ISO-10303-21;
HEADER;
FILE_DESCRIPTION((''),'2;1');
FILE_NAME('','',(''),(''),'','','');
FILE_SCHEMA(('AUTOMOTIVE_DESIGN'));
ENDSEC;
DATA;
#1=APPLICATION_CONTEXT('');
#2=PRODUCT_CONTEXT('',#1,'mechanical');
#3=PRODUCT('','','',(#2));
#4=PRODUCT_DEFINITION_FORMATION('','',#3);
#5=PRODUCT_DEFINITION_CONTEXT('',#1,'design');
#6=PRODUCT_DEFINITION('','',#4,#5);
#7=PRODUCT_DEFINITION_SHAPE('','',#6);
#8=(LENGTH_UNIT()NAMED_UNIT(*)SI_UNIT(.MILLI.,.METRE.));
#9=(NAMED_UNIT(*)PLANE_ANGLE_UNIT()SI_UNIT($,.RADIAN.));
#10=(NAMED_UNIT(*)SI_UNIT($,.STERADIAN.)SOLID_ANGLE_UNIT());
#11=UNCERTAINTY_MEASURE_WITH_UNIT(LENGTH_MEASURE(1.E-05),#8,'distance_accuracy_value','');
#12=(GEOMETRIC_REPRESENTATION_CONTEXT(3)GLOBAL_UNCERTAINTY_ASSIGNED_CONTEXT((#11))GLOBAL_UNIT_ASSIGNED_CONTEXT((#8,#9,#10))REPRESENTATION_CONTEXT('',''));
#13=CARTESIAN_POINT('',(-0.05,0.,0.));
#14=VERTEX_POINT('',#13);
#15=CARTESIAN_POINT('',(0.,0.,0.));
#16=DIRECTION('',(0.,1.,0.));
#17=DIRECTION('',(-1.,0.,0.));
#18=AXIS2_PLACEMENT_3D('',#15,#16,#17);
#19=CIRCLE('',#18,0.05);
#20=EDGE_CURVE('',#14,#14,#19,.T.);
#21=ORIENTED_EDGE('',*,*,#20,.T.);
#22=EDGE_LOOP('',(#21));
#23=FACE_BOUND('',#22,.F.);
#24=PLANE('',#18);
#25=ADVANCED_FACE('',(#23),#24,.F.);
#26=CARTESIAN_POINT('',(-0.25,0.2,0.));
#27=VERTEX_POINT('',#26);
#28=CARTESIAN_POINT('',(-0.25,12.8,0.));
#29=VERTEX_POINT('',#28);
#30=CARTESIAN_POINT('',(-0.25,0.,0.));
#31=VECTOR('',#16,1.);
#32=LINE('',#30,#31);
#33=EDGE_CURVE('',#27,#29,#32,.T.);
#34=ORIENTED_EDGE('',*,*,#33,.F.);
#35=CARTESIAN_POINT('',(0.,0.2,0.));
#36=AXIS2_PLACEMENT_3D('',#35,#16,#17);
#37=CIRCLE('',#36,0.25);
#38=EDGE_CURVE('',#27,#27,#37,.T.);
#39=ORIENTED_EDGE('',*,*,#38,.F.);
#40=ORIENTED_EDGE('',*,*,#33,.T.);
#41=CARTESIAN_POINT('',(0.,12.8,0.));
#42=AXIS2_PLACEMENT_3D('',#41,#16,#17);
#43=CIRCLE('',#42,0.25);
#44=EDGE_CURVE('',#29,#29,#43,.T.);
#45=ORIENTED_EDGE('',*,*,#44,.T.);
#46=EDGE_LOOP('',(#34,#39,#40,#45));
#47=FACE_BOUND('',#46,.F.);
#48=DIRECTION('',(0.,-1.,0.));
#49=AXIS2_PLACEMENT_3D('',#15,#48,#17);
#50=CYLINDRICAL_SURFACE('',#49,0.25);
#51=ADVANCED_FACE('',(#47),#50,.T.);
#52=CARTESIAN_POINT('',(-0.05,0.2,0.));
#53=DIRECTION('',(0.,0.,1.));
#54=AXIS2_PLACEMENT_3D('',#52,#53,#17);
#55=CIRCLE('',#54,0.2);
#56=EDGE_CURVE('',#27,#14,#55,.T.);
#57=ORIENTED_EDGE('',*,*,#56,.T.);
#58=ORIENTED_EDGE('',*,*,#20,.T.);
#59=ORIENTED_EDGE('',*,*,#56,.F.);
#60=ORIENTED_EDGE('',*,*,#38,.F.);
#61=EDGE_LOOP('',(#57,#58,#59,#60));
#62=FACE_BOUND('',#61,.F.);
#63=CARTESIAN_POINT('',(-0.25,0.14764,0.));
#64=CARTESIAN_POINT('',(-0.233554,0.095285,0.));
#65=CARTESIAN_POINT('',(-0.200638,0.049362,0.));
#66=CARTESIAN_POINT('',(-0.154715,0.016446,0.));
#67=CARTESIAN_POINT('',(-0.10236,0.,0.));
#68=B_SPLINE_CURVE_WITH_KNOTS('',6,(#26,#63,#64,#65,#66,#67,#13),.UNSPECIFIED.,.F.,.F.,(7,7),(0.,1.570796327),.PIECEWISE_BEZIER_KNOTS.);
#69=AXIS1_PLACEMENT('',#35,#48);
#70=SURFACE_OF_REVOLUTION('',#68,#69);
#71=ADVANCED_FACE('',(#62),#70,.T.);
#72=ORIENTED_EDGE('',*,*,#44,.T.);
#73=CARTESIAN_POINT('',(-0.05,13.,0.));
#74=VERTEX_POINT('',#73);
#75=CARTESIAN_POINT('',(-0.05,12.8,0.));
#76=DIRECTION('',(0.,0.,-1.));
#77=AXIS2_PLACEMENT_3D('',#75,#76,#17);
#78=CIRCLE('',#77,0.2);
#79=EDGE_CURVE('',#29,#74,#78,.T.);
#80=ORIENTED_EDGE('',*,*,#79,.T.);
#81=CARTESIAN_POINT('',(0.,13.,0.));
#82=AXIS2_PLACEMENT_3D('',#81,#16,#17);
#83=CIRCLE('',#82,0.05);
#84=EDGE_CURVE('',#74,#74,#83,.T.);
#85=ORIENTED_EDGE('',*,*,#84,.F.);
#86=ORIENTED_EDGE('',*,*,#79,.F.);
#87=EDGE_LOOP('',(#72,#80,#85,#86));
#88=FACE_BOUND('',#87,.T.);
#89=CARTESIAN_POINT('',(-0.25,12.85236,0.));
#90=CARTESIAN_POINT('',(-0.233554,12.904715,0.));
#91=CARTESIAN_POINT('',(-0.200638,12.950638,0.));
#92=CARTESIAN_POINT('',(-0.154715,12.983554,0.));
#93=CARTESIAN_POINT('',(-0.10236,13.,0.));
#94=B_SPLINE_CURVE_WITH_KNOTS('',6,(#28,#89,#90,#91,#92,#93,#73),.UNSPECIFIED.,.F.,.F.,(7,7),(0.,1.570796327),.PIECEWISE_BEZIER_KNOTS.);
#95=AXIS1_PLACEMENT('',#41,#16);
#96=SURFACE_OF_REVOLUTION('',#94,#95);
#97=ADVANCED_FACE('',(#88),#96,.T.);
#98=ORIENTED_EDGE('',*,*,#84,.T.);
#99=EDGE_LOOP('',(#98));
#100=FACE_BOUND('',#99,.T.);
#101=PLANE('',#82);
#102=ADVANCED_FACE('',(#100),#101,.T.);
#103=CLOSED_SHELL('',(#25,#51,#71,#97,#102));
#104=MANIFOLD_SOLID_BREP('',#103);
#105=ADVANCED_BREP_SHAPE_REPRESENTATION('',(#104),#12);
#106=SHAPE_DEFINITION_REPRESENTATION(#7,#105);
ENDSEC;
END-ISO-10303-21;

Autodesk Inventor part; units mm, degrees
ref_plane "YZ Plane" through (0, 0, 0) normal (1, 0, 0) x (0, 1, 0)
ref_plane "XZ Plane" through (0, 0, 0) normal (0, 1, 0) x (-1, 0, 0)
ref_plane "XY Plane" through (0, 0, 0) normal (0, 0, 1) x (1, 0, 0)
sketch "Sketch1" plane through (0, 0, 0) normal (0, 1, 0) x (-1, 0, 0)
  circle A0 centre (0, 0) radius 0.25
  dimension "d0" = 0.5
extrude "Extrusion1" add sketch "Sketch1" along normal blind 13
fillet "Fillet1" radius 0.2 2 edges at (0.25, 13, 0) (0.25, 0, 0)
properties part number "pin"
